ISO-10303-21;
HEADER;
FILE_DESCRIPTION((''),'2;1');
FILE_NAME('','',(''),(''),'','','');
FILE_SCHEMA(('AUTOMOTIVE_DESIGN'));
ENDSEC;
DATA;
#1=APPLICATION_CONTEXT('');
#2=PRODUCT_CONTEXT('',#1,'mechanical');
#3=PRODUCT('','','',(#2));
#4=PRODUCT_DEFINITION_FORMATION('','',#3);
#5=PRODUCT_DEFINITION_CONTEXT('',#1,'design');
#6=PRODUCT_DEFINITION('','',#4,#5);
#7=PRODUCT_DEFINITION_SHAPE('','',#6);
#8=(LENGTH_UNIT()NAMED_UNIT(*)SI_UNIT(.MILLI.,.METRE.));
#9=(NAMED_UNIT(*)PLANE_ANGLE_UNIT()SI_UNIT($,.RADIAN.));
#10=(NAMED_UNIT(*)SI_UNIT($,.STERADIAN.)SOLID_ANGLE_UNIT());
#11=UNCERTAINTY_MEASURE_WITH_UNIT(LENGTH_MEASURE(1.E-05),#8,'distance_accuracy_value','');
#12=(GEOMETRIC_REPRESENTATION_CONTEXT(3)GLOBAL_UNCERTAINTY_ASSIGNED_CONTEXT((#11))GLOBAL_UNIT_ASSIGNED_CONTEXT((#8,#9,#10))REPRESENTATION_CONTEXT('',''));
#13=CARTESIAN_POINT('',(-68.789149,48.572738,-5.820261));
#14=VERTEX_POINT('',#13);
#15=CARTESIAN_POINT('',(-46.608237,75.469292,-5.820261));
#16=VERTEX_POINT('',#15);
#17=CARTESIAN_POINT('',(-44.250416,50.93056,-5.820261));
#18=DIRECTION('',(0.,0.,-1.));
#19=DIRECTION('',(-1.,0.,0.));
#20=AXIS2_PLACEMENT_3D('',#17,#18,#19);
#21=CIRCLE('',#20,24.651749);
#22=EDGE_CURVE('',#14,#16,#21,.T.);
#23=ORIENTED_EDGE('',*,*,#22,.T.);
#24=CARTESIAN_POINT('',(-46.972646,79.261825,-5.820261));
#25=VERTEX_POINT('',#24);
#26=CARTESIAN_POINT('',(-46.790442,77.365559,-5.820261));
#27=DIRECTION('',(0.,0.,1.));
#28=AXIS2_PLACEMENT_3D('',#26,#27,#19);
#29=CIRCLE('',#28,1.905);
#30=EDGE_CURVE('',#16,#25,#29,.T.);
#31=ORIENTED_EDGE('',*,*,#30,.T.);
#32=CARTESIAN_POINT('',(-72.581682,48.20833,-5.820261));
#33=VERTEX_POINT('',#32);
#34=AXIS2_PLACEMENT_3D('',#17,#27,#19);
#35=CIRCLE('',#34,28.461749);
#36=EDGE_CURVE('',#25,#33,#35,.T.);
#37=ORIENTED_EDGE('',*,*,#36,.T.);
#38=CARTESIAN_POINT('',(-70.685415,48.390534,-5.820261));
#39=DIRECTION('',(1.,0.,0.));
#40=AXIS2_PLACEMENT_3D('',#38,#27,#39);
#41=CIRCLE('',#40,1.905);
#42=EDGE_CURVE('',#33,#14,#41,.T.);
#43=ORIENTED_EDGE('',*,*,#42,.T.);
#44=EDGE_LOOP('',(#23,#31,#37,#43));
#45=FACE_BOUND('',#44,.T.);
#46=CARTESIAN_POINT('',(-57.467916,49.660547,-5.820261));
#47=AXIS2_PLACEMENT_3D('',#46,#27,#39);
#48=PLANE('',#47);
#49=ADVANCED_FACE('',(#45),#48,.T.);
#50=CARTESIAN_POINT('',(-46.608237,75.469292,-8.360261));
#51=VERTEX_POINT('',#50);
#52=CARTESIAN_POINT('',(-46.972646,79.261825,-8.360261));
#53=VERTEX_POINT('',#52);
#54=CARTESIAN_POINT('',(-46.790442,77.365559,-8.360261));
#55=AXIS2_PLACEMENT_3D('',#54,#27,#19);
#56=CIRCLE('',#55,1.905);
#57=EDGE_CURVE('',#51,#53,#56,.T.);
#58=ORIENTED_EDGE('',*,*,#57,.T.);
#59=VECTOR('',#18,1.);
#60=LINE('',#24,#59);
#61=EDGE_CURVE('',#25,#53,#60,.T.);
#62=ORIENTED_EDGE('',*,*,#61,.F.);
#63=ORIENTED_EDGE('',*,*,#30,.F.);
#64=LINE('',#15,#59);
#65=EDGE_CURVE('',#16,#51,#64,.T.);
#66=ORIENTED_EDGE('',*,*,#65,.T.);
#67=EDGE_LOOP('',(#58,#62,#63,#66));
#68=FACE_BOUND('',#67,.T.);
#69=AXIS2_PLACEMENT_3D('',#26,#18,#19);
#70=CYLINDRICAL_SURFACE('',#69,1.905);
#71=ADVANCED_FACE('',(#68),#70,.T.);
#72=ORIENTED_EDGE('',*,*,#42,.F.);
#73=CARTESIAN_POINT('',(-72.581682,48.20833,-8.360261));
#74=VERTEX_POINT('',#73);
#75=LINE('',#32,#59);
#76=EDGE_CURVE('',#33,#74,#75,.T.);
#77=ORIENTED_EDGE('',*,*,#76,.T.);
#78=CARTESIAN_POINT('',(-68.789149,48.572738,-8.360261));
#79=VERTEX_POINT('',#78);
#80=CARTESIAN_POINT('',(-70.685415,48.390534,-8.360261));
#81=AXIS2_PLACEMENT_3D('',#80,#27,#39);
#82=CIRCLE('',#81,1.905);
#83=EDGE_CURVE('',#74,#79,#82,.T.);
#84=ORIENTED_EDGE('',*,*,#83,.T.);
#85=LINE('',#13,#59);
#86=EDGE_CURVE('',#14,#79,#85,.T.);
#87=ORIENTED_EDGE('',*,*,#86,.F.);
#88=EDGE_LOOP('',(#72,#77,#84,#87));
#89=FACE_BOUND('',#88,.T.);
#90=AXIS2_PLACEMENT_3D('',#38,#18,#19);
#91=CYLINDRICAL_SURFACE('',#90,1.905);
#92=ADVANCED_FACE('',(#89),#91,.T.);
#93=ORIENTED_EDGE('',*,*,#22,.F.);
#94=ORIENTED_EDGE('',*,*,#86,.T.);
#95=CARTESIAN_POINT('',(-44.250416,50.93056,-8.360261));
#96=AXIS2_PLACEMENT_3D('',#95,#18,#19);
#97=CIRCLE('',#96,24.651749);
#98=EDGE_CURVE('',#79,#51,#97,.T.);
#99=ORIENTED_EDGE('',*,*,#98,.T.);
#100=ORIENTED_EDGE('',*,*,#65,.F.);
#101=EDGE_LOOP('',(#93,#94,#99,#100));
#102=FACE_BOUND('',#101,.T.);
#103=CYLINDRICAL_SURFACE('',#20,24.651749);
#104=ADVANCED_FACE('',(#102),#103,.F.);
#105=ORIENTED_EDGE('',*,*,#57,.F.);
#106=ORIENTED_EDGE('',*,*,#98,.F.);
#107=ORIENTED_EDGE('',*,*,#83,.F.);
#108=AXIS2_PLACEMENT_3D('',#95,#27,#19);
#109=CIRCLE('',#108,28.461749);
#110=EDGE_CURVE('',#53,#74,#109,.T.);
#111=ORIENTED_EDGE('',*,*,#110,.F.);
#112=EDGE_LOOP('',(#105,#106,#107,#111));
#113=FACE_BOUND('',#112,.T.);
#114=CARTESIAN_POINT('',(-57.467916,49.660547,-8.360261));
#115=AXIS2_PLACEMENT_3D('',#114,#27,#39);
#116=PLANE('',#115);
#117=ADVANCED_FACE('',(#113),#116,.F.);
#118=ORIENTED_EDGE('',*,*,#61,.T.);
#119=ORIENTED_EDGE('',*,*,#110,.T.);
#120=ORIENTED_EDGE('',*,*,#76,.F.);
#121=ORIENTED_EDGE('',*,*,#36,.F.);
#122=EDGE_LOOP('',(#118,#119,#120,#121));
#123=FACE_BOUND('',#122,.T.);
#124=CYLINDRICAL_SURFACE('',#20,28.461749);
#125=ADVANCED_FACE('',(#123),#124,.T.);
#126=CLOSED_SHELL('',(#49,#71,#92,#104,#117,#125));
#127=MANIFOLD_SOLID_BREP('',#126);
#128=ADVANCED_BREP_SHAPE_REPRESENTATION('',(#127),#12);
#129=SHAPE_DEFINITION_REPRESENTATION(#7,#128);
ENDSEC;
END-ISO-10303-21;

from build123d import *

# Parameters (mm, degrees)
BOSS_EXTRUDE1_DEPTH = 2.54


with BuildPart() as part:
    # Sketch2 → Boss-Extrude1 (new body)
    with BuildSketch(Plane.XY.offset(-8.360261082)):
        with BuildLine():
            ThreePointArc((-46.972645597, 79.261825447), (-44.894174994, 77.547763034), (-46.608237407, 75.469292432))
            ThreePointArc((-46.608237407, 75.469292432), (-63.269151824, 66.614832594), (-68.789148794, 48.572738434))
            ThreePointArc((-68.789148794, 48.572738434), (-70.503211207, 46.494267832), (-72.58168181, 48.208330245))
            ThreePointArc((-72.58168181, 48.208330245), (-66.208553139, 69.038882905), (-46.972645597, 79.261825447))
        make_face()
    extrude(amount=BOSS_EXTRUDE1_DEPTH)


solid = part.part
